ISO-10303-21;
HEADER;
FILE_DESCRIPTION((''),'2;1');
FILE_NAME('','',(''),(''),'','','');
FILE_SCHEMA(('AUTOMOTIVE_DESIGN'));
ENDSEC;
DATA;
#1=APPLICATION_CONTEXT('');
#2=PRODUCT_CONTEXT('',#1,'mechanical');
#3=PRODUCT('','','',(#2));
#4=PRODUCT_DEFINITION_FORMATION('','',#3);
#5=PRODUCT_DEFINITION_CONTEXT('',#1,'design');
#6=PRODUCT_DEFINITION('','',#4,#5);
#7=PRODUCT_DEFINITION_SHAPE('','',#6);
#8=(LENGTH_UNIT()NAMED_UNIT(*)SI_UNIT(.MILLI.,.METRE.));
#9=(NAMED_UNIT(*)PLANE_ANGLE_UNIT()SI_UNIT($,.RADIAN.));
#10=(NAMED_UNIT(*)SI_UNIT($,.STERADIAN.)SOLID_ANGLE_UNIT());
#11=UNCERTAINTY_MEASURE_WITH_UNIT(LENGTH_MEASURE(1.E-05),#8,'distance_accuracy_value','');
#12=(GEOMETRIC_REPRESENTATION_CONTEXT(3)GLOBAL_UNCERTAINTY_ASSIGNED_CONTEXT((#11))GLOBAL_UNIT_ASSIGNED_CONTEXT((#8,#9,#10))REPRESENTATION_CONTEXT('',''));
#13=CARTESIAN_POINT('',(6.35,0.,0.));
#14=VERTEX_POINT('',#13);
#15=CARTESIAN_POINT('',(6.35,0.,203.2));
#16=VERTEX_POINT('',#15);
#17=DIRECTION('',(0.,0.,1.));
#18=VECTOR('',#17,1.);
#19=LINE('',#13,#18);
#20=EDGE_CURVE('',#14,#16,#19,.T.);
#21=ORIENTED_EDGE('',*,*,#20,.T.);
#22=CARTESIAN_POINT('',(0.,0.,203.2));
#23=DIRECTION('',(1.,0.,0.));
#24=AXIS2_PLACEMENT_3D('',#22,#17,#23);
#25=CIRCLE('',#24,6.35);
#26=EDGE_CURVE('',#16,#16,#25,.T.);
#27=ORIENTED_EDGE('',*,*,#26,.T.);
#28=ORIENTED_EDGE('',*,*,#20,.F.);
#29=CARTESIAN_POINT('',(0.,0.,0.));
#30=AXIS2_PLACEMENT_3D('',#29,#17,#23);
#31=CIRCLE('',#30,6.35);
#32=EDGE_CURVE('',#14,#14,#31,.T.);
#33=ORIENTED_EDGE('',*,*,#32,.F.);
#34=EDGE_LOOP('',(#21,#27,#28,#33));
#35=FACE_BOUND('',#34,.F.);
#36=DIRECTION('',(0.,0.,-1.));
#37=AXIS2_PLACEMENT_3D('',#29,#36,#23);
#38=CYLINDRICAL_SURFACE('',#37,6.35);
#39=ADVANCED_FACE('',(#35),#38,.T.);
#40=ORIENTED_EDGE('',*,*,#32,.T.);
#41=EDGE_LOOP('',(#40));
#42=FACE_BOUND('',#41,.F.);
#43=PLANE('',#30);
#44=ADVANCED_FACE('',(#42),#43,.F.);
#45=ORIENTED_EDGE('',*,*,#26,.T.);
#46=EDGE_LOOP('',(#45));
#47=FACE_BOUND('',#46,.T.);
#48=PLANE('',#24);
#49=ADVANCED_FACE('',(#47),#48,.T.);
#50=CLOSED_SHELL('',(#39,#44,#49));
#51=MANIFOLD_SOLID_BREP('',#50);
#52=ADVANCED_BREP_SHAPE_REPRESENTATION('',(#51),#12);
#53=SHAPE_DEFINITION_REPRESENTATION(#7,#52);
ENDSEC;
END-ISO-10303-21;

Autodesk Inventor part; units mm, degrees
ref_plane "YZ Plane" through (0, 0, 0) normal (1, 0, 0) x (0, 1, 0)
ref_plane "XZ Plane" through (0, 0, 0) normal (0, 1, 0) x (-1, 0, 0)
ref_plane "XY Plane" through (0, 0, 0) normal (0, 0, 1) x (1, 0, 0)
sketch "Sketch1" plane through (0, 0, 0) normal (0, 0, 1) x (1, 0, 0)
  circle A0 centre (0, 0) radius 6.35
  dimension "d0" = 12.7
extrude "Extrusion1" add sketch "Sketch1" along normal blind 203.2
properties part number "cross shaft3"
